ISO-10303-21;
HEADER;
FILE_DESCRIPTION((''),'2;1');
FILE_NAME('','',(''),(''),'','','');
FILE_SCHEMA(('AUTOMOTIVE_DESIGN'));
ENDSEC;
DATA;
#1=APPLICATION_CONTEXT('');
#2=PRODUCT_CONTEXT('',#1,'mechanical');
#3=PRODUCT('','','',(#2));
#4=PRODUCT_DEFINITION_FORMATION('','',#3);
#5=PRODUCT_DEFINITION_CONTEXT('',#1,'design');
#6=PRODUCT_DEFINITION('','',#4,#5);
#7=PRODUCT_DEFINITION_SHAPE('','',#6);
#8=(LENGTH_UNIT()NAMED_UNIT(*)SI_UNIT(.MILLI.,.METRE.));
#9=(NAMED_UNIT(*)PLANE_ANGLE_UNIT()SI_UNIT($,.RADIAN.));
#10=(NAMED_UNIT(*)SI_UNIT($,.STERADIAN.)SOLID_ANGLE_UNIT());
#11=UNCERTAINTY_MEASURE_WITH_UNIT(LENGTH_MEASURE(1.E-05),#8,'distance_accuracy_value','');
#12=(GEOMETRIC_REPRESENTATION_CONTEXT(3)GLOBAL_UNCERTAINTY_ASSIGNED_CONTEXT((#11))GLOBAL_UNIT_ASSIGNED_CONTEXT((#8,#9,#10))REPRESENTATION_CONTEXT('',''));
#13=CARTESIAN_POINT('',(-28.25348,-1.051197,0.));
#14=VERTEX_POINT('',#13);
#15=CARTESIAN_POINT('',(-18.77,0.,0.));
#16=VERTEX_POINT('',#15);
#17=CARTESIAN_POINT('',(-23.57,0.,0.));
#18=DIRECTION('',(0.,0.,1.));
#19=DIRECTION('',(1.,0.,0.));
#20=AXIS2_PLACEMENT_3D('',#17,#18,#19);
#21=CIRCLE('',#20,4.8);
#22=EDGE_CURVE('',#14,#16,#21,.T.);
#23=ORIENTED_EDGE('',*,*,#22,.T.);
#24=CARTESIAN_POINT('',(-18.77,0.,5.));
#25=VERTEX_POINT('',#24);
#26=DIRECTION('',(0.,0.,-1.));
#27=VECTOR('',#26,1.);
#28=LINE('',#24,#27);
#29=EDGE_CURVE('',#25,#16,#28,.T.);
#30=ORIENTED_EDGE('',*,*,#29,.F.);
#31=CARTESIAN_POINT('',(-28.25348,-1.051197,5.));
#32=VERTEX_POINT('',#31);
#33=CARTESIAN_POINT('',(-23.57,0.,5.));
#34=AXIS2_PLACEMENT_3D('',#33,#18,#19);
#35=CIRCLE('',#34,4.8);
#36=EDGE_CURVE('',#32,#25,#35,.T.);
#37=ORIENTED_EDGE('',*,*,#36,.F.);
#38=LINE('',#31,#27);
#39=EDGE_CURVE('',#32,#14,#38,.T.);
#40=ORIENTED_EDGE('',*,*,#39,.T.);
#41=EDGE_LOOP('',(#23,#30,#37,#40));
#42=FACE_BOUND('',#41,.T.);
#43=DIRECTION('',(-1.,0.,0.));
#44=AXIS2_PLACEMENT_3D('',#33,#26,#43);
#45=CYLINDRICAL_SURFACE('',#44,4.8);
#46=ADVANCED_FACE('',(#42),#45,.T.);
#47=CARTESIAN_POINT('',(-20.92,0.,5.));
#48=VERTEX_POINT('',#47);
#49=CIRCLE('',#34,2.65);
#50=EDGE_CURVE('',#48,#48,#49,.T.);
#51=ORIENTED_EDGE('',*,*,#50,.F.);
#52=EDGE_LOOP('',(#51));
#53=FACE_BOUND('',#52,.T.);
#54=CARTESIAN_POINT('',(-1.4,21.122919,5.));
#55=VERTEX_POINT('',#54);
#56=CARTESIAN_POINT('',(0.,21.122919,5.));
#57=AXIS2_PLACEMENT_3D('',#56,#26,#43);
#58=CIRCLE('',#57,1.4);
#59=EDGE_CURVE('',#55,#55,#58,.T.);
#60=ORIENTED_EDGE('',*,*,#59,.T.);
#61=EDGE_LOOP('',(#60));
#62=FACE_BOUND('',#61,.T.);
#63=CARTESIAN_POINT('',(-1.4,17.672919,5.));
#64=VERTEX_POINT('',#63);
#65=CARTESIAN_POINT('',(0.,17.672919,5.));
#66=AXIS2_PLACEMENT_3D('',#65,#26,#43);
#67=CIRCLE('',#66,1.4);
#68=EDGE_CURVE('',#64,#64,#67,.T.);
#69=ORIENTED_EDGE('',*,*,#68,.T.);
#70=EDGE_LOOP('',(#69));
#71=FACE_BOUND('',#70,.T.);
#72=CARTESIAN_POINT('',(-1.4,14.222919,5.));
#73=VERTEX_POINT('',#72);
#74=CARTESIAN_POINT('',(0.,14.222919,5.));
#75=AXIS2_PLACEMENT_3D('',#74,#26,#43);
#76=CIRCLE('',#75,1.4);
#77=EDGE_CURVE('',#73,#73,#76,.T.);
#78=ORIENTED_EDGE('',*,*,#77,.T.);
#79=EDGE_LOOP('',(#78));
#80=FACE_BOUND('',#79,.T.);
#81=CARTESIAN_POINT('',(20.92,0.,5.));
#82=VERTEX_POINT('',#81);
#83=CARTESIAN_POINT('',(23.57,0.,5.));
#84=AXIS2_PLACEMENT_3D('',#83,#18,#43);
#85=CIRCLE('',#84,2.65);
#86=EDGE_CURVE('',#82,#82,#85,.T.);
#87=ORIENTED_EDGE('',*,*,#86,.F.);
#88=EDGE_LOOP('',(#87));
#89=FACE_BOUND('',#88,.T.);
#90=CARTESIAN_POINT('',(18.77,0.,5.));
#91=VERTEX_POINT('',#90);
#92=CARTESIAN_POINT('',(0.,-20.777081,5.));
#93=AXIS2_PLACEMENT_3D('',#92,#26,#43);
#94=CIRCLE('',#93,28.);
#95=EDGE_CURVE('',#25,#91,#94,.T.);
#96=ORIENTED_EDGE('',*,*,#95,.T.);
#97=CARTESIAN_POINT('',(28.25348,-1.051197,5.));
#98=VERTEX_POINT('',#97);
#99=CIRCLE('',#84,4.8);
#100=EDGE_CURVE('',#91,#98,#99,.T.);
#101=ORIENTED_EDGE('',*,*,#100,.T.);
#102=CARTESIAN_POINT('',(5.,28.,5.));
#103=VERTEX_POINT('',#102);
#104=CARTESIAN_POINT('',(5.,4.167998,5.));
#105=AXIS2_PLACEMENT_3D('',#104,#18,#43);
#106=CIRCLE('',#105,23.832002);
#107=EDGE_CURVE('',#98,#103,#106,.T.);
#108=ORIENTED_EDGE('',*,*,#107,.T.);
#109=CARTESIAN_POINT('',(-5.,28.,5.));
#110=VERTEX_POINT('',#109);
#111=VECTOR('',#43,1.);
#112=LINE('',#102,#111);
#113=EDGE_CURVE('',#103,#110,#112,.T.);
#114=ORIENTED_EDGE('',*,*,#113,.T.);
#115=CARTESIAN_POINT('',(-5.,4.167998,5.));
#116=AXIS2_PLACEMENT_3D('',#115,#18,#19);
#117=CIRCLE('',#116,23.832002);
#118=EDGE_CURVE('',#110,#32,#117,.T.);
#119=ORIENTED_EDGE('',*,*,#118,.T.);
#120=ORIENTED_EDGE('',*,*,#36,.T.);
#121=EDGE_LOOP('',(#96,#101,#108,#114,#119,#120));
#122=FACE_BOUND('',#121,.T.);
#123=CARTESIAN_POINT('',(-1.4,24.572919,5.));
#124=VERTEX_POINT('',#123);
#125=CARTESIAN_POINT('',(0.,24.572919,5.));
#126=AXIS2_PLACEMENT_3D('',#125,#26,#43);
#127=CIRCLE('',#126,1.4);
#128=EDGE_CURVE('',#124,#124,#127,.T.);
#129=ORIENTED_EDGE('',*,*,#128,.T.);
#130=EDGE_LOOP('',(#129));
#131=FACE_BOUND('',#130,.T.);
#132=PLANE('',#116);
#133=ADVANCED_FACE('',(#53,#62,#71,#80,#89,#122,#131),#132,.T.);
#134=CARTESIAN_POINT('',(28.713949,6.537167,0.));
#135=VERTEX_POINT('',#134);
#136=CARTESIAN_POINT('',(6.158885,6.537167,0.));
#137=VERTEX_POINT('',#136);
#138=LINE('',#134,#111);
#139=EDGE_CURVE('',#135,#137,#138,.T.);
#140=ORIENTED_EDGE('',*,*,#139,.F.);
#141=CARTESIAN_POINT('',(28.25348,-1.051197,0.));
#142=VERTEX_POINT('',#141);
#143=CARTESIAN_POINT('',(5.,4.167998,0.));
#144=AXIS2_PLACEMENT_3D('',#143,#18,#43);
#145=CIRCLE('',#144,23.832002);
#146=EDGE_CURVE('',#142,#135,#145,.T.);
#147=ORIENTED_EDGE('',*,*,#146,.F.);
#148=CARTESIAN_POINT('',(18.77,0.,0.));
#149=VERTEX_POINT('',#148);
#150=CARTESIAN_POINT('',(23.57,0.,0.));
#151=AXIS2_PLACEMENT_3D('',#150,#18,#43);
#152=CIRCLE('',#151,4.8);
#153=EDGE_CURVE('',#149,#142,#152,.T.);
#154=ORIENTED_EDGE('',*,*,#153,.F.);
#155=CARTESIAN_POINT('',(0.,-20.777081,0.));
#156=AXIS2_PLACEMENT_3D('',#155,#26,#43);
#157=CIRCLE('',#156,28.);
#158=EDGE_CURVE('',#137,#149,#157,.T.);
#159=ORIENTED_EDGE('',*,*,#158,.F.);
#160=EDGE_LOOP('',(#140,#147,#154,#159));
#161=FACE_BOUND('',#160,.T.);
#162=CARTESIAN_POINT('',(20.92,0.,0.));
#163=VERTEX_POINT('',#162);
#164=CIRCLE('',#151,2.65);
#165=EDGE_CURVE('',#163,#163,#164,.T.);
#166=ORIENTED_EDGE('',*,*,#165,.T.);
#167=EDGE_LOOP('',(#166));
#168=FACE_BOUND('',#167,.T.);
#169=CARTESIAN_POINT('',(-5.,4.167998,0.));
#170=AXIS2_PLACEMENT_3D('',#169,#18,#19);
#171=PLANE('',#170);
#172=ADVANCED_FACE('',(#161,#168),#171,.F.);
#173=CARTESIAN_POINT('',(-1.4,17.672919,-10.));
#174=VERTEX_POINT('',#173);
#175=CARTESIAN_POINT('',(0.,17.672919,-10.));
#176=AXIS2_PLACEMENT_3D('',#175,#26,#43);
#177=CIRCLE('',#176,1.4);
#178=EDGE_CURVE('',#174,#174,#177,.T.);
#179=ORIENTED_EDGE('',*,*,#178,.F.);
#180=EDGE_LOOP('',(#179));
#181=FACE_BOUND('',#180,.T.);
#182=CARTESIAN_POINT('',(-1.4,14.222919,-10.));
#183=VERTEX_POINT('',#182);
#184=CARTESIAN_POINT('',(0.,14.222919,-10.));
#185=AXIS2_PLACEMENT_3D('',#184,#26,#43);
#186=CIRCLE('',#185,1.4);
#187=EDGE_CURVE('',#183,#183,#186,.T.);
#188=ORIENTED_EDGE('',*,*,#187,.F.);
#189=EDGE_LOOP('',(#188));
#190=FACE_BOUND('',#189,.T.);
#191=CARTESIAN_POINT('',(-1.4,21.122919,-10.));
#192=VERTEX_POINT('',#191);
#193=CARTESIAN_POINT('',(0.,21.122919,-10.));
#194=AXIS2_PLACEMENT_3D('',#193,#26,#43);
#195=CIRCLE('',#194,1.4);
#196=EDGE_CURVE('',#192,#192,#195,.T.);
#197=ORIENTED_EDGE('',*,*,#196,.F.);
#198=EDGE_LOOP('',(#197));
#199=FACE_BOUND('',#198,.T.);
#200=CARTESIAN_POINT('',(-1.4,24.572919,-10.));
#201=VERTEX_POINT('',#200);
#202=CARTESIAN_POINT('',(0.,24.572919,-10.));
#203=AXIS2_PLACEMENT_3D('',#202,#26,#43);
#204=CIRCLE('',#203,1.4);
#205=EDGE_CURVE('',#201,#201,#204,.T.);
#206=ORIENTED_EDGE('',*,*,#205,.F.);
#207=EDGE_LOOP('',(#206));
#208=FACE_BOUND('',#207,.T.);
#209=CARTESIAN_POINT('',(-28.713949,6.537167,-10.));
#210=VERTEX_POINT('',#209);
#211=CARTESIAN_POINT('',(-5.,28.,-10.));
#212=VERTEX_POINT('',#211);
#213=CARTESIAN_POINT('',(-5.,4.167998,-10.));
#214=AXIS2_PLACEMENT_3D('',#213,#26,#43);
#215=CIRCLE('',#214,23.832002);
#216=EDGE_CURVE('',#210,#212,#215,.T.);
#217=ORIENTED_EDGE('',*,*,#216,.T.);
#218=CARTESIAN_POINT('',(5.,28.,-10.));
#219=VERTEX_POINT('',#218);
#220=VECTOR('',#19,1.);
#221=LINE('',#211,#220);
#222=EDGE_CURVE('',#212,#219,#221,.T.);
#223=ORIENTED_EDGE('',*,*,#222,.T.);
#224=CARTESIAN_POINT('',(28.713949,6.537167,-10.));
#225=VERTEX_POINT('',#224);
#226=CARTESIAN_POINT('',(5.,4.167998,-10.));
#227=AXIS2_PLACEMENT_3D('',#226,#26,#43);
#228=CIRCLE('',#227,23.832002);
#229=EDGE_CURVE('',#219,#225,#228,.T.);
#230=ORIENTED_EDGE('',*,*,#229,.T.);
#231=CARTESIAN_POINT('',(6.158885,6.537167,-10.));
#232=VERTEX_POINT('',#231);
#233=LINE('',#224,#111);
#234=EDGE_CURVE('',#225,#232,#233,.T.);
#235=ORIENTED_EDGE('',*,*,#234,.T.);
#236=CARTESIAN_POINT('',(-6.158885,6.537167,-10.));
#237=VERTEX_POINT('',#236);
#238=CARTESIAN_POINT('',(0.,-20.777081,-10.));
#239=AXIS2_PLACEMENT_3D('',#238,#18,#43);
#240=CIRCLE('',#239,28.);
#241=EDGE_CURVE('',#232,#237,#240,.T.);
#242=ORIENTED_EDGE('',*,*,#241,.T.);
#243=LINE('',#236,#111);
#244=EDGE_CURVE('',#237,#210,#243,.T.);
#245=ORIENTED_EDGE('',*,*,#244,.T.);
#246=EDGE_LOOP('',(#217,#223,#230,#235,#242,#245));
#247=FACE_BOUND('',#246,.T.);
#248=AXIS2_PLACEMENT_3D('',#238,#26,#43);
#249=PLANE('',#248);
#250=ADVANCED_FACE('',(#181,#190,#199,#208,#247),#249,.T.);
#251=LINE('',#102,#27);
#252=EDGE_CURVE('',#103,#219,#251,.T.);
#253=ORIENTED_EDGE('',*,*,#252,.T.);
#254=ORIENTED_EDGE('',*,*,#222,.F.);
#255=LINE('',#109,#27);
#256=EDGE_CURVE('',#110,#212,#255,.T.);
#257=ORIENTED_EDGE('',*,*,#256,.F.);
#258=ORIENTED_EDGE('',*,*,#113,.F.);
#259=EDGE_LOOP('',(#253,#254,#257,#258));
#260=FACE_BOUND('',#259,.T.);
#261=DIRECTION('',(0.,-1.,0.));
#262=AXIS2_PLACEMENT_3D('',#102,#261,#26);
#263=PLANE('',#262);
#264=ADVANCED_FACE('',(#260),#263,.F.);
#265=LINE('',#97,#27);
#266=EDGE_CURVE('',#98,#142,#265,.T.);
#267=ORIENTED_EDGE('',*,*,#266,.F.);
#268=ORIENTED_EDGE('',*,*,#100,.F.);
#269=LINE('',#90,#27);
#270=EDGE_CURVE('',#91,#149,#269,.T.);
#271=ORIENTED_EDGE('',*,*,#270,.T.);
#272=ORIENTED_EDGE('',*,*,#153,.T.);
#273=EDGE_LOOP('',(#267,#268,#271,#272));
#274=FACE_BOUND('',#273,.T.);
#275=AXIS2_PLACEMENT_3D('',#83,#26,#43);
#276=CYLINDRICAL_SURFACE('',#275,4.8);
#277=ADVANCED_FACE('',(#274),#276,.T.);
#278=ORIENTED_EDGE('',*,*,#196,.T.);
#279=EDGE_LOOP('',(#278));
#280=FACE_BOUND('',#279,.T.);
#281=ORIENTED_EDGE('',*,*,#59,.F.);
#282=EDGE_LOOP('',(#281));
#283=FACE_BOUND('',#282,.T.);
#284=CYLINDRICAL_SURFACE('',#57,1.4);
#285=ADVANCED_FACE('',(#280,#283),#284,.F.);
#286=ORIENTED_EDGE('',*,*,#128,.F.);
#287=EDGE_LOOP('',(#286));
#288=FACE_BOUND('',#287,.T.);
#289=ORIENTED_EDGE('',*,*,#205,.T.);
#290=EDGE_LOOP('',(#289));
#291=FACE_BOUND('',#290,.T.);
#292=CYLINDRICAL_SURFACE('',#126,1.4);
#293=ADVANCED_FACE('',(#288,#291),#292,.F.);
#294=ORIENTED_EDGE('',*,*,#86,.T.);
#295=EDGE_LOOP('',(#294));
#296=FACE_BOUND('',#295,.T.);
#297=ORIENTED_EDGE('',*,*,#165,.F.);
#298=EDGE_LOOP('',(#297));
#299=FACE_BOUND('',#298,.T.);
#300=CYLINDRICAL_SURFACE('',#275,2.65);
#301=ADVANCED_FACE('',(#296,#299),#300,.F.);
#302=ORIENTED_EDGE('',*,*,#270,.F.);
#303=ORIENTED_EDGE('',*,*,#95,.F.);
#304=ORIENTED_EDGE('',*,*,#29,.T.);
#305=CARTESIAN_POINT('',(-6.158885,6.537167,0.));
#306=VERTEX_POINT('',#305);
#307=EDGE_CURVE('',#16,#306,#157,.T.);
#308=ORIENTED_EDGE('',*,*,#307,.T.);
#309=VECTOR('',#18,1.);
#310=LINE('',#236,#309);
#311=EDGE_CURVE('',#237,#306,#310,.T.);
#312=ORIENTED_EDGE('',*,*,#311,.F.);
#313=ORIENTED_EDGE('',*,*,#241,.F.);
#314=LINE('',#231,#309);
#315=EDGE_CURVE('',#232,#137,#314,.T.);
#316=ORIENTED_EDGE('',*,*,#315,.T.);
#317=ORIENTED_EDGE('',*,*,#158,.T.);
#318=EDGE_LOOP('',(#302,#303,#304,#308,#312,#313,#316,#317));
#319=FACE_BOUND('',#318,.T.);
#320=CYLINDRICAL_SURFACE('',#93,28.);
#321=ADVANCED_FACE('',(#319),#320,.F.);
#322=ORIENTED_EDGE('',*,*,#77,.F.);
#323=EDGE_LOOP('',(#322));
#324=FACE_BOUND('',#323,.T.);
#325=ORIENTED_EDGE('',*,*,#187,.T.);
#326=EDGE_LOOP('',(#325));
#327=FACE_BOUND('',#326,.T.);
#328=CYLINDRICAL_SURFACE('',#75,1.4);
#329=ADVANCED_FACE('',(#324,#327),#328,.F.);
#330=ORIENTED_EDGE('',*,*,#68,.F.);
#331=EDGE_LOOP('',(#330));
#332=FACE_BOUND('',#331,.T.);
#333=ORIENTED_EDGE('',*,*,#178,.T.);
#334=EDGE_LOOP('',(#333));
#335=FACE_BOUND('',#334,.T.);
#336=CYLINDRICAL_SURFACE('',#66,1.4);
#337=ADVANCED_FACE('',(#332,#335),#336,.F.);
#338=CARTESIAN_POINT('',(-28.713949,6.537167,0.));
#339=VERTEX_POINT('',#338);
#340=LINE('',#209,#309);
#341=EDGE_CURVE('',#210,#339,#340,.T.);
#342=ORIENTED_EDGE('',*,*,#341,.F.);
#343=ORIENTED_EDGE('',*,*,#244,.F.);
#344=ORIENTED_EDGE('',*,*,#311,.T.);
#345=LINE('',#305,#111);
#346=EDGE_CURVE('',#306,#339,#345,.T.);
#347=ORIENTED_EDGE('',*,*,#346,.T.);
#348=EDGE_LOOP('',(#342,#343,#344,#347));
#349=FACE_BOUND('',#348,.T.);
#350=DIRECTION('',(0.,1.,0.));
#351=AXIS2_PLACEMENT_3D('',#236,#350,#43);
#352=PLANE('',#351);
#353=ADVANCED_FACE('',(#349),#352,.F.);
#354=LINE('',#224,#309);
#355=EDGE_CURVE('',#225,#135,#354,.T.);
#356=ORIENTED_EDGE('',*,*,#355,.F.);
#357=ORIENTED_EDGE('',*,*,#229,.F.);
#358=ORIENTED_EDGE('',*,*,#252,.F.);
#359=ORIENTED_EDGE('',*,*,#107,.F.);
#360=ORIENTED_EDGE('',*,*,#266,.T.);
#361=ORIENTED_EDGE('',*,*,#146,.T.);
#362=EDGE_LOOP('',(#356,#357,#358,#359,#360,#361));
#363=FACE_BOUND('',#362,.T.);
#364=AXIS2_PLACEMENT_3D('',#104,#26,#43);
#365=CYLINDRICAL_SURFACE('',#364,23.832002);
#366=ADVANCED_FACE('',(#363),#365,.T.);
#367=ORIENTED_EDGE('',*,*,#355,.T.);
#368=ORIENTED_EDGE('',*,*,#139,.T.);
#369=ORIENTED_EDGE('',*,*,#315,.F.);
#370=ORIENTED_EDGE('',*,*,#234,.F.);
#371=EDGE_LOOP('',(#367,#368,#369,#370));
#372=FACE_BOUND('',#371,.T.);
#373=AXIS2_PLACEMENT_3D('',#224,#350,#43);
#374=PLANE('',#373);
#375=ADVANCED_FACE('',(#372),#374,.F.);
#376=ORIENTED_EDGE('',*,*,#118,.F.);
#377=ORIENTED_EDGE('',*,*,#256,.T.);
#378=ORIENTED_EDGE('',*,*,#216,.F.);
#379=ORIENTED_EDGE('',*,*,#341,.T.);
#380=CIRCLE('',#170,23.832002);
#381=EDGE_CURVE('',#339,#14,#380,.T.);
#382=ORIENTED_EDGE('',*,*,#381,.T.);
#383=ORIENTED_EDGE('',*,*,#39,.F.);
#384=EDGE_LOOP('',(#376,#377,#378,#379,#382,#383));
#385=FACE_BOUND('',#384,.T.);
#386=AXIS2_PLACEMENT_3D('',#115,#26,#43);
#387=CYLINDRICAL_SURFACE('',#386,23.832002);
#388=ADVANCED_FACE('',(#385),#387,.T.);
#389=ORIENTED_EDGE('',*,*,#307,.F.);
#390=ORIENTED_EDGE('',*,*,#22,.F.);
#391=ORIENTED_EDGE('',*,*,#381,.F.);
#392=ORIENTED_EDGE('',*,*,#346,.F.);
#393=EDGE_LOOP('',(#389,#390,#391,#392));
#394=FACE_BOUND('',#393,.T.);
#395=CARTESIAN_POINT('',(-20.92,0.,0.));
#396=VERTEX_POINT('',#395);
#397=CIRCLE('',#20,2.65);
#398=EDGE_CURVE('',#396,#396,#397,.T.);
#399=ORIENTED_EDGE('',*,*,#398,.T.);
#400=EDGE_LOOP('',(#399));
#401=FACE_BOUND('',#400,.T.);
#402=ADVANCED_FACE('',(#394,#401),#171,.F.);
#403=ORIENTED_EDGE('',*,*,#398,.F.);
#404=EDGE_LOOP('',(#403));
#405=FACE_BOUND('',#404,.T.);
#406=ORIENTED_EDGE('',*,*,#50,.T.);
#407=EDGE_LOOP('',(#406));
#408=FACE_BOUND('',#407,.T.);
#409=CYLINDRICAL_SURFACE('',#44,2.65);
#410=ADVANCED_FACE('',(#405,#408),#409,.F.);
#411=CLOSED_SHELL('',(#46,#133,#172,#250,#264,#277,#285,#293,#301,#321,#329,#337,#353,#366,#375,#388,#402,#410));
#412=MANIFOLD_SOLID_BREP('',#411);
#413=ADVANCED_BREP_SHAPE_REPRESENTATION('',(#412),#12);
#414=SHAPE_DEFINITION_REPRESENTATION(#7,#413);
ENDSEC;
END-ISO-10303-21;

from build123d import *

# Parameters (mm, degrees)
SKETCH1_R           = 2.65
BOSS_EXTRUDE1_DEPTH = 5
BOSS_EXTRUDE2_DEPTH = 10
SKETCH3_R           = 1.4
CUT_EXTRUDE1_DEPTH  = 16


with BuildPart() as part:
    # Sketch1 → Boss-Extrude1 (new body)
    with BuildSketch(Plane.XY):
        with BuildLine():
            Line((5, 28), (-5, 28))
            ThreePointArc((-5, 28), (-23.605754448, 19.060621125), (-28.253479924, -1.05119732))
            ThreePointArc((-28.253479924, -1.05119732), (-23.041182278, -4.770781049), (-18.77, 0))
            ThreePointArc((-18.77, 0), (0, 7.222918877), (18.77, 0))
            ThreePointArc((18.77, 0), (23.041182278, -4.770781049), (28.253479924, -1.05119732))
            ThreePointArc((28.253479924, -1.05119732), (23.605754448, 19.060621125), (5, 28))
        make_face()
        with Locations((-23.57, 0)):
            Circle(SKETCH1_R, mode=Mode.SUBTRACT)
        with Locations((23.57, 0)):
            Circle(SKETCH1_R, mode=Mode.SUBTRACT)
    extrude(amount=BOSS_EXTRUDE1_DEPTH)

    # Sketch2 → Boss-Extrude2 (add)
    with BuildSketch(Plane(origin=(0, 0, 0), x_dir=(-1, 0, 0), z_dir=(0, 0, -1))):
        with BuildLine():
            Line((-28.713948761, 6.537166667), (-6.158885262, 6.537166667))
            ThreePointArc((-6.158885262, 6.537166667), (0, 7.222918877), (6.158885262, 6.537166667))
            Line((6.158885262, 6.537166667), (28.713948761, 6.537166667))
            ThreePointArc((28.713948761, 6.537166667), (20.992221394, 21.837553063), (5, 28))
            Line((5, 28), (-5, 28))
            ThreePointArc((-5, 28), (-20.992221394, 21.837553063), (-28.713948761, 6.537166667))
        make_face()
    extrude(amount=BOSS_EXTRUDE2_DEPTH)

    # Sketch3 → Cut-Extrude1 (cut, through all)
    with BuildSketch(Plane(origin=(0, 0, -10), x_dir=(-1, 0, 0), z_dir=(0, 0, -1))):
        with Locations((0, 24.572918877)):
            Circle(SKETCH3_R)
        with Locations((0, 21.122918877)):
            Circle(SKETCH3_R)
        with Locations((0, 17.672918877)):
            Circle(SKETCH3_R)
        with Locations((0, 14.222918877)):
            Circle(SKETCH3_R)
    extrude(amount=-CUT_EXTRUDE1_DEPTH, mode=Mode.SUBTRACT)


solid = part.part
